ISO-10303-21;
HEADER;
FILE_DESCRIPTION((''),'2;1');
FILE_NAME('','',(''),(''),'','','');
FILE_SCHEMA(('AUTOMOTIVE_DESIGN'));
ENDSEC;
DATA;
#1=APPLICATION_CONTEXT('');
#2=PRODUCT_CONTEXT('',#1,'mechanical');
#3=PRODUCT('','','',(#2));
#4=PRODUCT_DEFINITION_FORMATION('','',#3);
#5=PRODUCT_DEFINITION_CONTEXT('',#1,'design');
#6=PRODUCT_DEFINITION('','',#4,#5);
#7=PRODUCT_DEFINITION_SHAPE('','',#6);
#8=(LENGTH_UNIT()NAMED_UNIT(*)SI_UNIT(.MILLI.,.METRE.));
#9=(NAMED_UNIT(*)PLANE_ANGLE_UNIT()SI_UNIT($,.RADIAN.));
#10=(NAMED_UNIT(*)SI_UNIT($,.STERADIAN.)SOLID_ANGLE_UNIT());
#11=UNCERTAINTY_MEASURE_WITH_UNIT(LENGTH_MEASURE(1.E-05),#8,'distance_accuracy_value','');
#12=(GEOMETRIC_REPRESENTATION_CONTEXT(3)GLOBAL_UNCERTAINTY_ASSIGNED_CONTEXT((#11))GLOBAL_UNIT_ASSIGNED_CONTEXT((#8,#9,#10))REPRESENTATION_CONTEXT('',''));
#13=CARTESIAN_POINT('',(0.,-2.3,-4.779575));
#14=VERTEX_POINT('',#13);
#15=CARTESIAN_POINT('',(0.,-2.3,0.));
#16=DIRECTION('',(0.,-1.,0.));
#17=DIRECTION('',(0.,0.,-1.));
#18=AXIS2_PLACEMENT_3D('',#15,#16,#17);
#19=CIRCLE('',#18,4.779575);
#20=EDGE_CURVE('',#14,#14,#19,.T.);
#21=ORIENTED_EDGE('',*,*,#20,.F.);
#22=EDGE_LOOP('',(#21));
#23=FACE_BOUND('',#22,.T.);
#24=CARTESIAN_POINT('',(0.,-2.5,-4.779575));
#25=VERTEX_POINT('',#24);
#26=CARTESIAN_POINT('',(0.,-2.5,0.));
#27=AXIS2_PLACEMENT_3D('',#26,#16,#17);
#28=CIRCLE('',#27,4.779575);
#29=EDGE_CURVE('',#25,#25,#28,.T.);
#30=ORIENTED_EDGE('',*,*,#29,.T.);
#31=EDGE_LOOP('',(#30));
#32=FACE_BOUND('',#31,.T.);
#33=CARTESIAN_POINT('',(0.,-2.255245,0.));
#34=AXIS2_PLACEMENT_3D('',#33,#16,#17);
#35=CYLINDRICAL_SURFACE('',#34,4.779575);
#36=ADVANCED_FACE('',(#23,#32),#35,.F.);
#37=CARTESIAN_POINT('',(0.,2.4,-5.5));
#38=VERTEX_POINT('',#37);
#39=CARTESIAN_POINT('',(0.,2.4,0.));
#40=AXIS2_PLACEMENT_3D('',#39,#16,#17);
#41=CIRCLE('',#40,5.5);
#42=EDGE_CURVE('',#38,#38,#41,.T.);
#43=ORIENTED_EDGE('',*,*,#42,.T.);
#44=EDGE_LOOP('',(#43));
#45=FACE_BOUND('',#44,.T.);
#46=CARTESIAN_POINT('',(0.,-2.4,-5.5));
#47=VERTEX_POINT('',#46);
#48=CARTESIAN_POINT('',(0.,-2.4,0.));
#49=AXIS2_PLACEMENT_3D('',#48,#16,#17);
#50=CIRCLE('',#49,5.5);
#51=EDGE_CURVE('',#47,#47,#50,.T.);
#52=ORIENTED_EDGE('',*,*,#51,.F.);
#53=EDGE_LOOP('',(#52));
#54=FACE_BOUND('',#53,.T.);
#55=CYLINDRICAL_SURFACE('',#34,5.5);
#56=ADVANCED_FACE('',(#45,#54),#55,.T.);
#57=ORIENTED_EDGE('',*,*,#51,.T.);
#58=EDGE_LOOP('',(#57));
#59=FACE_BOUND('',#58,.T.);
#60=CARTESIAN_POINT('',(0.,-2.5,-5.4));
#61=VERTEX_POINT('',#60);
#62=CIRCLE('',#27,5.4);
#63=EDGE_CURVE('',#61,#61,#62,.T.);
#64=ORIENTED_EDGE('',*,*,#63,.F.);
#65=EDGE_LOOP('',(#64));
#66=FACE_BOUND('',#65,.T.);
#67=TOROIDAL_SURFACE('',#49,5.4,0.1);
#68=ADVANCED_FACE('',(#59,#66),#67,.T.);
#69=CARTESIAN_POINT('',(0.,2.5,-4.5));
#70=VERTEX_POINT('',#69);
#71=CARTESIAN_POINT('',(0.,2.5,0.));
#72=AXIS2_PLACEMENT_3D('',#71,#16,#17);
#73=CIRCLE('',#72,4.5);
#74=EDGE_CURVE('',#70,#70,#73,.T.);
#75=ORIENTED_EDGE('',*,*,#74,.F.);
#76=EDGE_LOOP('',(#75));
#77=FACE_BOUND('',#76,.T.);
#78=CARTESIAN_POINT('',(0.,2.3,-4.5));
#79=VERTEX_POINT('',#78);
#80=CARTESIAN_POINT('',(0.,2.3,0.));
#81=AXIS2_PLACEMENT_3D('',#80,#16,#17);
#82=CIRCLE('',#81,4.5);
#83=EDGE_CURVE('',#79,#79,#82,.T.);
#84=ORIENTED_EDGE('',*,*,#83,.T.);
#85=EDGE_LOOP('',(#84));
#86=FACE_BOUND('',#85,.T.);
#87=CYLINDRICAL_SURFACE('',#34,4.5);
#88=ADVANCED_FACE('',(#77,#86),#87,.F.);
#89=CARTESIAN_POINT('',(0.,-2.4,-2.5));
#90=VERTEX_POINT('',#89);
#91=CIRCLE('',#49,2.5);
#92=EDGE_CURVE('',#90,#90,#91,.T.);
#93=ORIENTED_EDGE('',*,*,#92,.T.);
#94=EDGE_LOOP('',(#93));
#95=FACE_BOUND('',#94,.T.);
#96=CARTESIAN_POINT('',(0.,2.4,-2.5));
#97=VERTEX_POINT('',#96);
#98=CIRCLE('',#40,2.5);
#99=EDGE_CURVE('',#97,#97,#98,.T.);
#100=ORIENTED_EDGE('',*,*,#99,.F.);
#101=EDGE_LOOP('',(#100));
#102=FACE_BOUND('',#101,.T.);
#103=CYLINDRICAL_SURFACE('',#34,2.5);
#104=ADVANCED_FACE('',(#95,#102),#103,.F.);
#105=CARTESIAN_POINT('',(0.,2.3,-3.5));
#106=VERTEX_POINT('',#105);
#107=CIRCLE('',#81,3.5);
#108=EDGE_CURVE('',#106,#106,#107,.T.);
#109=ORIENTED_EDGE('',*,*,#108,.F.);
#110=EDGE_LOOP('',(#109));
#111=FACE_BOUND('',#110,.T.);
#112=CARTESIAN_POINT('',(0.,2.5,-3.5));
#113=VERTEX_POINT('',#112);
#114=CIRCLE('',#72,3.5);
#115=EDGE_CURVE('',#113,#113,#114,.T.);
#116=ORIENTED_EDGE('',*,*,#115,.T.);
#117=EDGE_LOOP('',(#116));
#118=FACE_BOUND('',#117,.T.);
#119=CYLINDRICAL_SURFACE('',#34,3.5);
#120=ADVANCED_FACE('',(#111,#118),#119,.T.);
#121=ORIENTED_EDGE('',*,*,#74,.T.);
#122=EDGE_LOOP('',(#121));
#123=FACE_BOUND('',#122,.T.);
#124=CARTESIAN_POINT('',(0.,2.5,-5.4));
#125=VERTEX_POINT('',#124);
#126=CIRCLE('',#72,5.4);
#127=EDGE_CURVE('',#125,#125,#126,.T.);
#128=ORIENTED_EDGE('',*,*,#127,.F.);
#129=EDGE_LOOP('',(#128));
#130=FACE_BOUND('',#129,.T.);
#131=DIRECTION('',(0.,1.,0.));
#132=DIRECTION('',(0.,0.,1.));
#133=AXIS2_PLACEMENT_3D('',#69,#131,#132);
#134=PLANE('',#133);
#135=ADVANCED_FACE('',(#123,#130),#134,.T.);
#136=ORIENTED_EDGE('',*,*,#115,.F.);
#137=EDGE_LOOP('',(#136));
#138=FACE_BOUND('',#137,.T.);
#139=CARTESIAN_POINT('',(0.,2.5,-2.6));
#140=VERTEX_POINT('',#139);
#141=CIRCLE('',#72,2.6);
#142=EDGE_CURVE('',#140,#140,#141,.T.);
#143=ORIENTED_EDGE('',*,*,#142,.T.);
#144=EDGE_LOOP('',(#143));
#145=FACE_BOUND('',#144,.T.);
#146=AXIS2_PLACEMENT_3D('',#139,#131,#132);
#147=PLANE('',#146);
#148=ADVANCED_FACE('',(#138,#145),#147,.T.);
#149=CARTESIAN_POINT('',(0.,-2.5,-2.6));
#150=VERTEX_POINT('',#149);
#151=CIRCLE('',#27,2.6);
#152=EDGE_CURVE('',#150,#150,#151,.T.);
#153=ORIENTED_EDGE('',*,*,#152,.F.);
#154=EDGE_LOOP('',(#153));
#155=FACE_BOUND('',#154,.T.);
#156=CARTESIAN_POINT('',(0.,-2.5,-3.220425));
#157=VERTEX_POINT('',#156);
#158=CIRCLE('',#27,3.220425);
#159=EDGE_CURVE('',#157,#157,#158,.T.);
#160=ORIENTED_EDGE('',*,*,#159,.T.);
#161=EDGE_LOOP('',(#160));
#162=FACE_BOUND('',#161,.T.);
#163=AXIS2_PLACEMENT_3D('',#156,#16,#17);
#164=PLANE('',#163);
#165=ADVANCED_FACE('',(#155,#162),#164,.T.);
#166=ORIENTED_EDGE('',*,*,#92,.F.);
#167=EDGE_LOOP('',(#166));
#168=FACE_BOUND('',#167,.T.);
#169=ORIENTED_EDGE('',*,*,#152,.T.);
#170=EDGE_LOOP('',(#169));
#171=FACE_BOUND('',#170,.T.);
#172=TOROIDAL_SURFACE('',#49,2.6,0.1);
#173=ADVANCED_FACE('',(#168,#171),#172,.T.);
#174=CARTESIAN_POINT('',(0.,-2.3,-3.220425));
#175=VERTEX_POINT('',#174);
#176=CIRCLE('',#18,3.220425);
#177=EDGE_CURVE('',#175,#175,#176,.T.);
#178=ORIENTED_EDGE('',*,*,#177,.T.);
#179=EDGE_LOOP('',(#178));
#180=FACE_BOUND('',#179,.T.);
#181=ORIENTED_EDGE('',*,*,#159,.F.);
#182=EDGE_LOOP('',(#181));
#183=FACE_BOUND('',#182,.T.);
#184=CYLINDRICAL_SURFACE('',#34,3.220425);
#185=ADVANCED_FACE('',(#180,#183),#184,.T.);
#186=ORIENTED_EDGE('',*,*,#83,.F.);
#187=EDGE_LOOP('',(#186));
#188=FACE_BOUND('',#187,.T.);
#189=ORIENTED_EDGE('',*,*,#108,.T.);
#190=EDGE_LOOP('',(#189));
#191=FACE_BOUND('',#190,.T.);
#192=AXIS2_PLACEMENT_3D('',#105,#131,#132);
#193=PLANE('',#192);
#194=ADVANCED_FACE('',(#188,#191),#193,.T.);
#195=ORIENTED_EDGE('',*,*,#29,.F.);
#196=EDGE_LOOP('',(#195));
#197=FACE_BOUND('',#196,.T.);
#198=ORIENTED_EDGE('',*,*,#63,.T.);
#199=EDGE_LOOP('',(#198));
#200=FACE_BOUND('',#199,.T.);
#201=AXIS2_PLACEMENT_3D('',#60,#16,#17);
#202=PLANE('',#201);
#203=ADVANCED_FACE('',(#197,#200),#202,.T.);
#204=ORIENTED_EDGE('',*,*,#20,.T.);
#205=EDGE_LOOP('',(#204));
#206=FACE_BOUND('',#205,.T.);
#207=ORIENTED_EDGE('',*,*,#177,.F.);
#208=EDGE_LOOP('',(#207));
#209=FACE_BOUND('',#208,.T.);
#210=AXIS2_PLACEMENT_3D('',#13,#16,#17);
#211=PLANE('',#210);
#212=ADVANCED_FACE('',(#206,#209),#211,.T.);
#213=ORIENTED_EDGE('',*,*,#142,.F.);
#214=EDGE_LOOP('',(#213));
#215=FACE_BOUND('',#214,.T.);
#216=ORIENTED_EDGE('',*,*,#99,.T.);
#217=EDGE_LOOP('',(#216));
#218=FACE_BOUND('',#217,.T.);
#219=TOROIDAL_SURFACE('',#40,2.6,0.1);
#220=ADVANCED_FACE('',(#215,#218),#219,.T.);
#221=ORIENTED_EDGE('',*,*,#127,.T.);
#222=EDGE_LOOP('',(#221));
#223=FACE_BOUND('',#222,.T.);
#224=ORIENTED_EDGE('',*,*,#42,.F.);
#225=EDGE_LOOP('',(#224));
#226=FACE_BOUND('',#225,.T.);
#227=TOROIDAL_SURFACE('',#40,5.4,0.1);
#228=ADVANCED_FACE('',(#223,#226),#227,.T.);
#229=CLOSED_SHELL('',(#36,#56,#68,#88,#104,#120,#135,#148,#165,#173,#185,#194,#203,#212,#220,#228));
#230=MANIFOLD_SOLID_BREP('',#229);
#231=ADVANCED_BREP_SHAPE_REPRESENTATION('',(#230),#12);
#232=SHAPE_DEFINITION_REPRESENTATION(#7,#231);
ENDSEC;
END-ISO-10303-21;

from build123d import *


with BuildPart() as part:
    # Croquis1 → Revolución1 (revolve)
    with BuildSketch(Plane(origin=(0, 0, 0), x_dir=(0, 0, -1), z_dir=(1, 0, 0))):
        with BuildLine():
            Line((2.5, -2.4), (2.5, 2.4))
            ThreePointArc((2.5, 2.4), (2.529289322, 2.470710678), (2.6, 2.5))
            Line((2.6, 2.5), (3.5, 2.5))
            Line((3.5, 2.5), (3.5, 2.3))
            Line((3.5, 2.3), (4.5, 2.3))
            Line((4.5, 2.3), (4.5, 2.5))
            Line((4.5, 2.5), (5.4, 2.5))
            ThreePointArc((5.4, 2.5), (5.470710678, 2.470710678), (5.5, 2.4))
            Line((5.5, 2.4), (5.5, -2.4))
            ThreePointArc((5.5, -2.4), (5.470710678, -2.470710678), (5.4, -2.5))
            Line((5.4, -2.5), (4.779574592, -2.5))
            Line((4.779574592, -2.5), (4.779574592, -2.3))
            Line((4.779574592, -2.3), (3.220425408, -2.3))
            Line((3.220425408, -2.3), (3.220425408, -2.5))
            Line((3.220425408, -2.5), (2.6, -2.5))
            ThreePointArc((2.6, -2.5), (2.529289322, -2.470710678), (2.5, -2.4))
        make_face()
    revolve(axis=Axis((0, -2.255244755, 0), (0, 1, 0)))


solid = part.part
